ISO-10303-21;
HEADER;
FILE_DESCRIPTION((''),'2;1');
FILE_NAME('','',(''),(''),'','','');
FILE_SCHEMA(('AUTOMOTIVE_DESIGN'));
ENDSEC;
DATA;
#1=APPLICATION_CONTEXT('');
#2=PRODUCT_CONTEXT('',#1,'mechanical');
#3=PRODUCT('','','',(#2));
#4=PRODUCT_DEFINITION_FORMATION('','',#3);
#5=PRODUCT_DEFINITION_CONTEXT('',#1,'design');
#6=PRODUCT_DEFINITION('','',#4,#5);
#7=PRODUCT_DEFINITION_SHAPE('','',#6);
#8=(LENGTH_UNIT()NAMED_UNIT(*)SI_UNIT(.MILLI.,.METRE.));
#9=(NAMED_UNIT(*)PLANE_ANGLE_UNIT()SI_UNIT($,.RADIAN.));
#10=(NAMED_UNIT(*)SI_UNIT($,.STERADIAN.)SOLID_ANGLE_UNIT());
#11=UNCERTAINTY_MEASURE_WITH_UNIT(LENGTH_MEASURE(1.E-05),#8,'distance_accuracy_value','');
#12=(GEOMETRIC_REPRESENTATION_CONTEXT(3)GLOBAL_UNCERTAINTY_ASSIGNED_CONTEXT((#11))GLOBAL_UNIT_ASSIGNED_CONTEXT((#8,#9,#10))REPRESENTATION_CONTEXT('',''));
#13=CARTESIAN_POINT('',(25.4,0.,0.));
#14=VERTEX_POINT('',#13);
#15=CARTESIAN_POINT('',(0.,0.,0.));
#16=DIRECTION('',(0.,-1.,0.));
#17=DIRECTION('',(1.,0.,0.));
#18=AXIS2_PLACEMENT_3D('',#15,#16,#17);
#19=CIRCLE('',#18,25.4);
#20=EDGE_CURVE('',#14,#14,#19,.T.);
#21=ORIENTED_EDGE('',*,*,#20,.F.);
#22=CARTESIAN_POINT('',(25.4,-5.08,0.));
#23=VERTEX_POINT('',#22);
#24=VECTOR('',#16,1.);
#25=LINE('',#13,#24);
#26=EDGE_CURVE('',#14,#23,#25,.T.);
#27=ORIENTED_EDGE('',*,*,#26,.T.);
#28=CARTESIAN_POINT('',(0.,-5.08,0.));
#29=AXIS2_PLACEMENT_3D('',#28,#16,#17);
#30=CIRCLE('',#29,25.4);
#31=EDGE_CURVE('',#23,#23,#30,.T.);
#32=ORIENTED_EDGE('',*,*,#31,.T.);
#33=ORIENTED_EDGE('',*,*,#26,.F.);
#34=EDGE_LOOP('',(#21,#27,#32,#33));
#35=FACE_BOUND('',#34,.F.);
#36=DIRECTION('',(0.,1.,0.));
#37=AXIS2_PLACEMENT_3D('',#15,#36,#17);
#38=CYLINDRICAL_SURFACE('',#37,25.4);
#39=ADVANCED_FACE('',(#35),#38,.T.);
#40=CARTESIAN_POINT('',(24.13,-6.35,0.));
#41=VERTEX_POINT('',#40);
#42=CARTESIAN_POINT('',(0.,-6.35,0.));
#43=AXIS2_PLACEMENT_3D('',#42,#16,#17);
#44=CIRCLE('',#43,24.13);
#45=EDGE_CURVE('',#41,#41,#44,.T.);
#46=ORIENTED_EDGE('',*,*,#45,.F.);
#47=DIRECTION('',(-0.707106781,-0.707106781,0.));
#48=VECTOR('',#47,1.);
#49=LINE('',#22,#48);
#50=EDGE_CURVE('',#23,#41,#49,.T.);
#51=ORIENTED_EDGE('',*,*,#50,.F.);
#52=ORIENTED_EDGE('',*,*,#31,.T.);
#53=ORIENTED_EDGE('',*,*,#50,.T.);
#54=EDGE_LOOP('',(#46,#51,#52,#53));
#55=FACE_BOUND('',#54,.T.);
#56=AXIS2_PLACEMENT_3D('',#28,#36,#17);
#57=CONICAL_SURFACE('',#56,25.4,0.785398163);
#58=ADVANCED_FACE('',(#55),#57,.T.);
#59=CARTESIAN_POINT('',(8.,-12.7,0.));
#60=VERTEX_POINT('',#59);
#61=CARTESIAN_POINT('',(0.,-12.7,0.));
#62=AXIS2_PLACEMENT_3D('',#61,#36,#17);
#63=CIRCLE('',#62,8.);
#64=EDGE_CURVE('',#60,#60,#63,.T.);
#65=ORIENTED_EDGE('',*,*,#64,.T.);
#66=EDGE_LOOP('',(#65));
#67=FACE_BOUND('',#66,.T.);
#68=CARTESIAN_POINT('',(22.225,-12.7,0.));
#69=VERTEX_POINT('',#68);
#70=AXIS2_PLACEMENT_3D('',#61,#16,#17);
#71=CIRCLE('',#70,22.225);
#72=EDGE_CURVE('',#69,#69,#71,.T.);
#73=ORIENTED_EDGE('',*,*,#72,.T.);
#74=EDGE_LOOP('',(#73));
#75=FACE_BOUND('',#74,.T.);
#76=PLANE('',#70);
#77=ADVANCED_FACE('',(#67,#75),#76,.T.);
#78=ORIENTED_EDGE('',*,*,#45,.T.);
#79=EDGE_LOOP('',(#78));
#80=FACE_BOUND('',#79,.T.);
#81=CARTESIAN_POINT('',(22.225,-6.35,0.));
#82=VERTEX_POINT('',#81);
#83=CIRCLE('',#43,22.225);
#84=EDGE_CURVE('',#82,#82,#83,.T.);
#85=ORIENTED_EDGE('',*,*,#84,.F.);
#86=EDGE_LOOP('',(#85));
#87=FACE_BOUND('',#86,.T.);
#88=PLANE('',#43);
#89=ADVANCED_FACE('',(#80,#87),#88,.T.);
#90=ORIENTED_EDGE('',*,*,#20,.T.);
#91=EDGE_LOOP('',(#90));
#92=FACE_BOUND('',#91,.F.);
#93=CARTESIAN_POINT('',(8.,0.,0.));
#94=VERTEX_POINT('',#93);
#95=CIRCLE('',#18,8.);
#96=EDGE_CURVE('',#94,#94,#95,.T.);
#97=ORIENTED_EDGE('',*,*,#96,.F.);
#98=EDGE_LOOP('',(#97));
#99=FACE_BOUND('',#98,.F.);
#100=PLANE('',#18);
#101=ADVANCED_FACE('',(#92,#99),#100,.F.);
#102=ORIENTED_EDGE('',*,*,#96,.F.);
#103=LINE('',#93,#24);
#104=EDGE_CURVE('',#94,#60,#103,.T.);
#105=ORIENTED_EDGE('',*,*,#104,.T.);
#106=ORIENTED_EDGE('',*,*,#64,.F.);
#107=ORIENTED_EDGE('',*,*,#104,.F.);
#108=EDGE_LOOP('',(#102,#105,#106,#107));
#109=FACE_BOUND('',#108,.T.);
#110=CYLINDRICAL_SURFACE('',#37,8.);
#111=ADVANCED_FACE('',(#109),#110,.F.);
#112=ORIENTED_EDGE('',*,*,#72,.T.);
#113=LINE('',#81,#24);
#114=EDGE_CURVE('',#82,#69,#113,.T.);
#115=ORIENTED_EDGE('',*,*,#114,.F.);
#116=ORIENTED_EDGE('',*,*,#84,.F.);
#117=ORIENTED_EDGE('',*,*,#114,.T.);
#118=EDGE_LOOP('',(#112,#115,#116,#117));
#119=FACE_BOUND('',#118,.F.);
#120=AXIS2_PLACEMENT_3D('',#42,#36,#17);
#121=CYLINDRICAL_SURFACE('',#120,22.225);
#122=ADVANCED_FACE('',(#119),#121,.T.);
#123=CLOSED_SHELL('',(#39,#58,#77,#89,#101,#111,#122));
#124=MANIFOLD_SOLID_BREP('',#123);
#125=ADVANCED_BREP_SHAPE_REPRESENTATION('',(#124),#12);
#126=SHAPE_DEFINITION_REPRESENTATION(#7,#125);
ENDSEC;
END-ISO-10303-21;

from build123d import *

# Parameters (mm, degrees)
F0_R     = 25.4
F1_DEPTH = 6.35
F2_R     = 22.225
F3_DEPTH = 6.35
F4_R     = 8
F5_DEPTH = 12.701
F6_SIZE  = 1.27


with BuildPart() as f1:
    # F0 (on Front) → F1 (new body)
    with BuildSketch(Plane.XZ):
        Circle(F0_R)
    extrude(amount=F1_DEPTH)

    # F2 (on face) → F3 (join)
    with BuildSketch(Plane.XZ.offset(6.35)):
        Circle(F2_R)
    extrude(amount=F3_DEPTH)

    # F4 (on Front) → F5 (cut, through all)
    with BuildSketch(Plane.XZ):
        Circle(F4_R)
    extrude(amount=F5_DEPTH, mode=Mode.SUBTRACT)

    # F6
    f6_edges = [f1.edges().sort_by_distance(p)[0] for p in [
        (-25.4, -6.35, 0),
    ]]
    chamfer(f6_edges, length=F6_SIZE)


solid = f1.part
